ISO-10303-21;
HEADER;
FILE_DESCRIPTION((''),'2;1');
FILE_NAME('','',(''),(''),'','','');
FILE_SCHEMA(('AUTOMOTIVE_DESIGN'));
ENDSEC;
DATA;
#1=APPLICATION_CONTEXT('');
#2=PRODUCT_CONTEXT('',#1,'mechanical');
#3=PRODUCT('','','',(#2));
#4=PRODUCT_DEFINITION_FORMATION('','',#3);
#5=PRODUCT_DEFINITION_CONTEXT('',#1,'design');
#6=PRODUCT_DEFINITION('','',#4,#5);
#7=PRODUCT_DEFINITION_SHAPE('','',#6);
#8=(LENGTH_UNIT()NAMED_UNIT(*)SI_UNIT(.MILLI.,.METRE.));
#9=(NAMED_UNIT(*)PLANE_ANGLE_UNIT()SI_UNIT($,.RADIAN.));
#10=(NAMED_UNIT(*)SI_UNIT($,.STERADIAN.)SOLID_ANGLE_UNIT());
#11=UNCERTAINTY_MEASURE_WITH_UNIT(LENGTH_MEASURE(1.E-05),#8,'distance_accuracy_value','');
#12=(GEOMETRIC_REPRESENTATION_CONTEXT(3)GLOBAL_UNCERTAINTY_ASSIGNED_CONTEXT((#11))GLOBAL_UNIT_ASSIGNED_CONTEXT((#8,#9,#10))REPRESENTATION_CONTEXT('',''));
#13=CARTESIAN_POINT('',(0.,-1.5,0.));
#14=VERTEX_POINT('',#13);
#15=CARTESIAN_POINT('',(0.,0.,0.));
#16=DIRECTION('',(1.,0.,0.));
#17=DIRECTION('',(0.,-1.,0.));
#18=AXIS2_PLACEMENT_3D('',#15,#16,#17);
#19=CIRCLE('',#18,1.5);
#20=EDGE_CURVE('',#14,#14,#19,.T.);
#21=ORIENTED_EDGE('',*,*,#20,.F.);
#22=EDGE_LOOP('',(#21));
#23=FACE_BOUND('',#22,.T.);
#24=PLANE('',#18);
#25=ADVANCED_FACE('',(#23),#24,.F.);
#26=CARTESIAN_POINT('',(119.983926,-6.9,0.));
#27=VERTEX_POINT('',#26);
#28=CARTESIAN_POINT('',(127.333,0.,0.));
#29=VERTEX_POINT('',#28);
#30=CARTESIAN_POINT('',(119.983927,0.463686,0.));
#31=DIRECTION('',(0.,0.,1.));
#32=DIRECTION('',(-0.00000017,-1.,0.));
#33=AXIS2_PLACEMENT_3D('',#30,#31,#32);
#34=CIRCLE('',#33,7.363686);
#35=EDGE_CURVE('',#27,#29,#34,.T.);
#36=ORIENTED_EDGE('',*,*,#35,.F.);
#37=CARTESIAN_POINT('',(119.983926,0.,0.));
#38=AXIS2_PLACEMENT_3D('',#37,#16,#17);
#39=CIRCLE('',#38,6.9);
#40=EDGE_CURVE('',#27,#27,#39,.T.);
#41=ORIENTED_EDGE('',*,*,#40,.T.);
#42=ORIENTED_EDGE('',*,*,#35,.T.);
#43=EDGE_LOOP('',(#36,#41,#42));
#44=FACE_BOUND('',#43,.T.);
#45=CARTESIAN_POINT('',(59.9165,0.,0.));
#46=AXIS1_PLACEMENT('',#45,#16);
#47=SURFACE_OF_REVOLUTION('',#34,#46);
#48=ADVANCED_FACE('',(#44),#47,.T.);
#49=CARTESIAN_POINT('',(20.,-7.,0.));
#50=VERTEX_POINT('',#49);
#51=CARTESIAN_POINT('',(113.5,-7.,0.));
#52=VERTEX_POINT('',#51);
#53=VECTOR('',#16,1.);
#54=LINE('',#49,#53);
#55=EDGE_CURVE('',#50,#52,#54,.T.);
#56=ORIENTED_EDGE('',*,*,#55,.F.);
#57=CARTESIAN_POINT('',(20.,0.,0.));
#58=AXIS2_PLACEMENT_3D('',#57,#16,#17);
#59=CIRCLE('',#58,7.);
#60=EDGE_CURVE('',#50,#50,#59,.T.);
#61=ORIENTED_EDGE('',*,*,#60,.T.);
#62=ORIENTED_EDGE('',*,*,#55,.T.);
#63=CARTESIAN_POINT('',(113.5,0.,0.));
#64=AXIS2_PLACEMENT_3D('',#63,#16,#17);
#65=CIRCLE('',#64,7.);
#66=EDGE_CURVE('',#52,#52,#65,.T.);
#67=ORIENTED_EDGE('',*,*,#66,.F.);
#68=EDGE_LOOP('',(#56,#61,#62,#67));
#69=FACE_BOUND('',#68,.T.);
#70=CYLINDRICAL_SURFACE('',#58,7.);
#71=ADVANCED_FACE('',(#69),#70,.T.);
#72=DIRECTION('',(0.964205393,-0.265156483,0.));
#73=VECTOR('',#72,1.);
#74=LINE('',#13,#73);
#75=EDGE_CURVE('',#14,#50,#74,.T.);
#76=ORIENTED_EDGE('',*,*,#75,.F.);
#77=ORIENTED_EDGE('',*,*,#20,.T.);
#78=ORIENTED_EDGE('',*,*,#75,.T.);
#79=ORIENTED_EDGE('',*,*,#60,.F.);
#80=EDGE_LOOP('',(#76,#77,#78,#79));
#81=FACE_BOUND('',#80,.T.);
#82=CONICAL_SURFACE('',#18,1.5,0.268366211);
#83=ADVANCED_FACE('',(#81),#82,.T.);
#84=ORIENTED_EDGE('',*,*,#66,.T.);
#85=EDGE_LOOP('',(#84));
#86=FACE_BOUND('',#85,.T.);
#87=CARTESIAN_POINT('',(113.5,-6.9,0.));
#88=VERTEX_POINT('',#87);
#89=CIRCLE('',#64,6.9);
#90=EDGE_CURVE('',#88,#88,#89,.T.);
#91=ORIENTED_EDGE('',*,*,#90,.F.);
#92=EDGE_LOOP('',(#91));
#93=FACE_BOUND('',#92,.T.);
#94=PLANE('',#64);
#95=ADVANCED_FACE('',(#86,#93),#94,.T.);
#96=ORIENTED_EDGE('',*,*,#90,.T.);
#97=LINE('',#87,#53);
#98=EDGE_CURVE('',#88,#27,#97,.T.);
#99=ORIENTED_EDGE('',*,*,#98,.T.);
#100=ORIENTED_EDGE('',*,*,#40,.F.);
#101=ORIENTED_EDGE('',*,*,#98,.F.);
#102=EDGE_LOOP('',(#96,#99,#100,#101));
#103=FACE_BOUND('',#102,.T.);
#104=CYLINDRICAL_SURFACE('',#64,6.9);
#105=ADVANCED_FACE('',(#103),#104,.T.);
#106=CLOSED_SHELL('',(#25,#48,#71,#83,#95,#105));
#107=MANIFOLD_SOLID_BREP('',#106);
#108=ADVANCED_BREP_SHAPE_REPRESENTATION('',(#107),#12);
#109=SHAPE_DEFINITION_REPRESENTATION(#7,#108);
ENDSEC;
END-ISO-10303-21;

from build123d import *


with BuildPart() as f1:
    # F0 (on Top) → F1 (revolve)
    with BuildSketch(Plane.XY):
        with BuildLine():
            Line((119.833, 0), (0, 0))
            Line((0, 0), (0, -1.5))
            Line((0, -1.5), (20, -7))
            Line((20, -7), (113.5, -7))
            Line((113.5, -7), (113.5, -6.9))
            Line((113.5, -6.9), (119.983926, -6.9))
            ThreePointArc((119.983926, -6.9), (125.024236, -4.904662), (127.333, 0))
            Line((127.333, 0), (119.833, 0))
        make_face()
    revolve(axis=Axis((59.9165, 0, 0), (1, 0, 0)))


solid = f1.part
